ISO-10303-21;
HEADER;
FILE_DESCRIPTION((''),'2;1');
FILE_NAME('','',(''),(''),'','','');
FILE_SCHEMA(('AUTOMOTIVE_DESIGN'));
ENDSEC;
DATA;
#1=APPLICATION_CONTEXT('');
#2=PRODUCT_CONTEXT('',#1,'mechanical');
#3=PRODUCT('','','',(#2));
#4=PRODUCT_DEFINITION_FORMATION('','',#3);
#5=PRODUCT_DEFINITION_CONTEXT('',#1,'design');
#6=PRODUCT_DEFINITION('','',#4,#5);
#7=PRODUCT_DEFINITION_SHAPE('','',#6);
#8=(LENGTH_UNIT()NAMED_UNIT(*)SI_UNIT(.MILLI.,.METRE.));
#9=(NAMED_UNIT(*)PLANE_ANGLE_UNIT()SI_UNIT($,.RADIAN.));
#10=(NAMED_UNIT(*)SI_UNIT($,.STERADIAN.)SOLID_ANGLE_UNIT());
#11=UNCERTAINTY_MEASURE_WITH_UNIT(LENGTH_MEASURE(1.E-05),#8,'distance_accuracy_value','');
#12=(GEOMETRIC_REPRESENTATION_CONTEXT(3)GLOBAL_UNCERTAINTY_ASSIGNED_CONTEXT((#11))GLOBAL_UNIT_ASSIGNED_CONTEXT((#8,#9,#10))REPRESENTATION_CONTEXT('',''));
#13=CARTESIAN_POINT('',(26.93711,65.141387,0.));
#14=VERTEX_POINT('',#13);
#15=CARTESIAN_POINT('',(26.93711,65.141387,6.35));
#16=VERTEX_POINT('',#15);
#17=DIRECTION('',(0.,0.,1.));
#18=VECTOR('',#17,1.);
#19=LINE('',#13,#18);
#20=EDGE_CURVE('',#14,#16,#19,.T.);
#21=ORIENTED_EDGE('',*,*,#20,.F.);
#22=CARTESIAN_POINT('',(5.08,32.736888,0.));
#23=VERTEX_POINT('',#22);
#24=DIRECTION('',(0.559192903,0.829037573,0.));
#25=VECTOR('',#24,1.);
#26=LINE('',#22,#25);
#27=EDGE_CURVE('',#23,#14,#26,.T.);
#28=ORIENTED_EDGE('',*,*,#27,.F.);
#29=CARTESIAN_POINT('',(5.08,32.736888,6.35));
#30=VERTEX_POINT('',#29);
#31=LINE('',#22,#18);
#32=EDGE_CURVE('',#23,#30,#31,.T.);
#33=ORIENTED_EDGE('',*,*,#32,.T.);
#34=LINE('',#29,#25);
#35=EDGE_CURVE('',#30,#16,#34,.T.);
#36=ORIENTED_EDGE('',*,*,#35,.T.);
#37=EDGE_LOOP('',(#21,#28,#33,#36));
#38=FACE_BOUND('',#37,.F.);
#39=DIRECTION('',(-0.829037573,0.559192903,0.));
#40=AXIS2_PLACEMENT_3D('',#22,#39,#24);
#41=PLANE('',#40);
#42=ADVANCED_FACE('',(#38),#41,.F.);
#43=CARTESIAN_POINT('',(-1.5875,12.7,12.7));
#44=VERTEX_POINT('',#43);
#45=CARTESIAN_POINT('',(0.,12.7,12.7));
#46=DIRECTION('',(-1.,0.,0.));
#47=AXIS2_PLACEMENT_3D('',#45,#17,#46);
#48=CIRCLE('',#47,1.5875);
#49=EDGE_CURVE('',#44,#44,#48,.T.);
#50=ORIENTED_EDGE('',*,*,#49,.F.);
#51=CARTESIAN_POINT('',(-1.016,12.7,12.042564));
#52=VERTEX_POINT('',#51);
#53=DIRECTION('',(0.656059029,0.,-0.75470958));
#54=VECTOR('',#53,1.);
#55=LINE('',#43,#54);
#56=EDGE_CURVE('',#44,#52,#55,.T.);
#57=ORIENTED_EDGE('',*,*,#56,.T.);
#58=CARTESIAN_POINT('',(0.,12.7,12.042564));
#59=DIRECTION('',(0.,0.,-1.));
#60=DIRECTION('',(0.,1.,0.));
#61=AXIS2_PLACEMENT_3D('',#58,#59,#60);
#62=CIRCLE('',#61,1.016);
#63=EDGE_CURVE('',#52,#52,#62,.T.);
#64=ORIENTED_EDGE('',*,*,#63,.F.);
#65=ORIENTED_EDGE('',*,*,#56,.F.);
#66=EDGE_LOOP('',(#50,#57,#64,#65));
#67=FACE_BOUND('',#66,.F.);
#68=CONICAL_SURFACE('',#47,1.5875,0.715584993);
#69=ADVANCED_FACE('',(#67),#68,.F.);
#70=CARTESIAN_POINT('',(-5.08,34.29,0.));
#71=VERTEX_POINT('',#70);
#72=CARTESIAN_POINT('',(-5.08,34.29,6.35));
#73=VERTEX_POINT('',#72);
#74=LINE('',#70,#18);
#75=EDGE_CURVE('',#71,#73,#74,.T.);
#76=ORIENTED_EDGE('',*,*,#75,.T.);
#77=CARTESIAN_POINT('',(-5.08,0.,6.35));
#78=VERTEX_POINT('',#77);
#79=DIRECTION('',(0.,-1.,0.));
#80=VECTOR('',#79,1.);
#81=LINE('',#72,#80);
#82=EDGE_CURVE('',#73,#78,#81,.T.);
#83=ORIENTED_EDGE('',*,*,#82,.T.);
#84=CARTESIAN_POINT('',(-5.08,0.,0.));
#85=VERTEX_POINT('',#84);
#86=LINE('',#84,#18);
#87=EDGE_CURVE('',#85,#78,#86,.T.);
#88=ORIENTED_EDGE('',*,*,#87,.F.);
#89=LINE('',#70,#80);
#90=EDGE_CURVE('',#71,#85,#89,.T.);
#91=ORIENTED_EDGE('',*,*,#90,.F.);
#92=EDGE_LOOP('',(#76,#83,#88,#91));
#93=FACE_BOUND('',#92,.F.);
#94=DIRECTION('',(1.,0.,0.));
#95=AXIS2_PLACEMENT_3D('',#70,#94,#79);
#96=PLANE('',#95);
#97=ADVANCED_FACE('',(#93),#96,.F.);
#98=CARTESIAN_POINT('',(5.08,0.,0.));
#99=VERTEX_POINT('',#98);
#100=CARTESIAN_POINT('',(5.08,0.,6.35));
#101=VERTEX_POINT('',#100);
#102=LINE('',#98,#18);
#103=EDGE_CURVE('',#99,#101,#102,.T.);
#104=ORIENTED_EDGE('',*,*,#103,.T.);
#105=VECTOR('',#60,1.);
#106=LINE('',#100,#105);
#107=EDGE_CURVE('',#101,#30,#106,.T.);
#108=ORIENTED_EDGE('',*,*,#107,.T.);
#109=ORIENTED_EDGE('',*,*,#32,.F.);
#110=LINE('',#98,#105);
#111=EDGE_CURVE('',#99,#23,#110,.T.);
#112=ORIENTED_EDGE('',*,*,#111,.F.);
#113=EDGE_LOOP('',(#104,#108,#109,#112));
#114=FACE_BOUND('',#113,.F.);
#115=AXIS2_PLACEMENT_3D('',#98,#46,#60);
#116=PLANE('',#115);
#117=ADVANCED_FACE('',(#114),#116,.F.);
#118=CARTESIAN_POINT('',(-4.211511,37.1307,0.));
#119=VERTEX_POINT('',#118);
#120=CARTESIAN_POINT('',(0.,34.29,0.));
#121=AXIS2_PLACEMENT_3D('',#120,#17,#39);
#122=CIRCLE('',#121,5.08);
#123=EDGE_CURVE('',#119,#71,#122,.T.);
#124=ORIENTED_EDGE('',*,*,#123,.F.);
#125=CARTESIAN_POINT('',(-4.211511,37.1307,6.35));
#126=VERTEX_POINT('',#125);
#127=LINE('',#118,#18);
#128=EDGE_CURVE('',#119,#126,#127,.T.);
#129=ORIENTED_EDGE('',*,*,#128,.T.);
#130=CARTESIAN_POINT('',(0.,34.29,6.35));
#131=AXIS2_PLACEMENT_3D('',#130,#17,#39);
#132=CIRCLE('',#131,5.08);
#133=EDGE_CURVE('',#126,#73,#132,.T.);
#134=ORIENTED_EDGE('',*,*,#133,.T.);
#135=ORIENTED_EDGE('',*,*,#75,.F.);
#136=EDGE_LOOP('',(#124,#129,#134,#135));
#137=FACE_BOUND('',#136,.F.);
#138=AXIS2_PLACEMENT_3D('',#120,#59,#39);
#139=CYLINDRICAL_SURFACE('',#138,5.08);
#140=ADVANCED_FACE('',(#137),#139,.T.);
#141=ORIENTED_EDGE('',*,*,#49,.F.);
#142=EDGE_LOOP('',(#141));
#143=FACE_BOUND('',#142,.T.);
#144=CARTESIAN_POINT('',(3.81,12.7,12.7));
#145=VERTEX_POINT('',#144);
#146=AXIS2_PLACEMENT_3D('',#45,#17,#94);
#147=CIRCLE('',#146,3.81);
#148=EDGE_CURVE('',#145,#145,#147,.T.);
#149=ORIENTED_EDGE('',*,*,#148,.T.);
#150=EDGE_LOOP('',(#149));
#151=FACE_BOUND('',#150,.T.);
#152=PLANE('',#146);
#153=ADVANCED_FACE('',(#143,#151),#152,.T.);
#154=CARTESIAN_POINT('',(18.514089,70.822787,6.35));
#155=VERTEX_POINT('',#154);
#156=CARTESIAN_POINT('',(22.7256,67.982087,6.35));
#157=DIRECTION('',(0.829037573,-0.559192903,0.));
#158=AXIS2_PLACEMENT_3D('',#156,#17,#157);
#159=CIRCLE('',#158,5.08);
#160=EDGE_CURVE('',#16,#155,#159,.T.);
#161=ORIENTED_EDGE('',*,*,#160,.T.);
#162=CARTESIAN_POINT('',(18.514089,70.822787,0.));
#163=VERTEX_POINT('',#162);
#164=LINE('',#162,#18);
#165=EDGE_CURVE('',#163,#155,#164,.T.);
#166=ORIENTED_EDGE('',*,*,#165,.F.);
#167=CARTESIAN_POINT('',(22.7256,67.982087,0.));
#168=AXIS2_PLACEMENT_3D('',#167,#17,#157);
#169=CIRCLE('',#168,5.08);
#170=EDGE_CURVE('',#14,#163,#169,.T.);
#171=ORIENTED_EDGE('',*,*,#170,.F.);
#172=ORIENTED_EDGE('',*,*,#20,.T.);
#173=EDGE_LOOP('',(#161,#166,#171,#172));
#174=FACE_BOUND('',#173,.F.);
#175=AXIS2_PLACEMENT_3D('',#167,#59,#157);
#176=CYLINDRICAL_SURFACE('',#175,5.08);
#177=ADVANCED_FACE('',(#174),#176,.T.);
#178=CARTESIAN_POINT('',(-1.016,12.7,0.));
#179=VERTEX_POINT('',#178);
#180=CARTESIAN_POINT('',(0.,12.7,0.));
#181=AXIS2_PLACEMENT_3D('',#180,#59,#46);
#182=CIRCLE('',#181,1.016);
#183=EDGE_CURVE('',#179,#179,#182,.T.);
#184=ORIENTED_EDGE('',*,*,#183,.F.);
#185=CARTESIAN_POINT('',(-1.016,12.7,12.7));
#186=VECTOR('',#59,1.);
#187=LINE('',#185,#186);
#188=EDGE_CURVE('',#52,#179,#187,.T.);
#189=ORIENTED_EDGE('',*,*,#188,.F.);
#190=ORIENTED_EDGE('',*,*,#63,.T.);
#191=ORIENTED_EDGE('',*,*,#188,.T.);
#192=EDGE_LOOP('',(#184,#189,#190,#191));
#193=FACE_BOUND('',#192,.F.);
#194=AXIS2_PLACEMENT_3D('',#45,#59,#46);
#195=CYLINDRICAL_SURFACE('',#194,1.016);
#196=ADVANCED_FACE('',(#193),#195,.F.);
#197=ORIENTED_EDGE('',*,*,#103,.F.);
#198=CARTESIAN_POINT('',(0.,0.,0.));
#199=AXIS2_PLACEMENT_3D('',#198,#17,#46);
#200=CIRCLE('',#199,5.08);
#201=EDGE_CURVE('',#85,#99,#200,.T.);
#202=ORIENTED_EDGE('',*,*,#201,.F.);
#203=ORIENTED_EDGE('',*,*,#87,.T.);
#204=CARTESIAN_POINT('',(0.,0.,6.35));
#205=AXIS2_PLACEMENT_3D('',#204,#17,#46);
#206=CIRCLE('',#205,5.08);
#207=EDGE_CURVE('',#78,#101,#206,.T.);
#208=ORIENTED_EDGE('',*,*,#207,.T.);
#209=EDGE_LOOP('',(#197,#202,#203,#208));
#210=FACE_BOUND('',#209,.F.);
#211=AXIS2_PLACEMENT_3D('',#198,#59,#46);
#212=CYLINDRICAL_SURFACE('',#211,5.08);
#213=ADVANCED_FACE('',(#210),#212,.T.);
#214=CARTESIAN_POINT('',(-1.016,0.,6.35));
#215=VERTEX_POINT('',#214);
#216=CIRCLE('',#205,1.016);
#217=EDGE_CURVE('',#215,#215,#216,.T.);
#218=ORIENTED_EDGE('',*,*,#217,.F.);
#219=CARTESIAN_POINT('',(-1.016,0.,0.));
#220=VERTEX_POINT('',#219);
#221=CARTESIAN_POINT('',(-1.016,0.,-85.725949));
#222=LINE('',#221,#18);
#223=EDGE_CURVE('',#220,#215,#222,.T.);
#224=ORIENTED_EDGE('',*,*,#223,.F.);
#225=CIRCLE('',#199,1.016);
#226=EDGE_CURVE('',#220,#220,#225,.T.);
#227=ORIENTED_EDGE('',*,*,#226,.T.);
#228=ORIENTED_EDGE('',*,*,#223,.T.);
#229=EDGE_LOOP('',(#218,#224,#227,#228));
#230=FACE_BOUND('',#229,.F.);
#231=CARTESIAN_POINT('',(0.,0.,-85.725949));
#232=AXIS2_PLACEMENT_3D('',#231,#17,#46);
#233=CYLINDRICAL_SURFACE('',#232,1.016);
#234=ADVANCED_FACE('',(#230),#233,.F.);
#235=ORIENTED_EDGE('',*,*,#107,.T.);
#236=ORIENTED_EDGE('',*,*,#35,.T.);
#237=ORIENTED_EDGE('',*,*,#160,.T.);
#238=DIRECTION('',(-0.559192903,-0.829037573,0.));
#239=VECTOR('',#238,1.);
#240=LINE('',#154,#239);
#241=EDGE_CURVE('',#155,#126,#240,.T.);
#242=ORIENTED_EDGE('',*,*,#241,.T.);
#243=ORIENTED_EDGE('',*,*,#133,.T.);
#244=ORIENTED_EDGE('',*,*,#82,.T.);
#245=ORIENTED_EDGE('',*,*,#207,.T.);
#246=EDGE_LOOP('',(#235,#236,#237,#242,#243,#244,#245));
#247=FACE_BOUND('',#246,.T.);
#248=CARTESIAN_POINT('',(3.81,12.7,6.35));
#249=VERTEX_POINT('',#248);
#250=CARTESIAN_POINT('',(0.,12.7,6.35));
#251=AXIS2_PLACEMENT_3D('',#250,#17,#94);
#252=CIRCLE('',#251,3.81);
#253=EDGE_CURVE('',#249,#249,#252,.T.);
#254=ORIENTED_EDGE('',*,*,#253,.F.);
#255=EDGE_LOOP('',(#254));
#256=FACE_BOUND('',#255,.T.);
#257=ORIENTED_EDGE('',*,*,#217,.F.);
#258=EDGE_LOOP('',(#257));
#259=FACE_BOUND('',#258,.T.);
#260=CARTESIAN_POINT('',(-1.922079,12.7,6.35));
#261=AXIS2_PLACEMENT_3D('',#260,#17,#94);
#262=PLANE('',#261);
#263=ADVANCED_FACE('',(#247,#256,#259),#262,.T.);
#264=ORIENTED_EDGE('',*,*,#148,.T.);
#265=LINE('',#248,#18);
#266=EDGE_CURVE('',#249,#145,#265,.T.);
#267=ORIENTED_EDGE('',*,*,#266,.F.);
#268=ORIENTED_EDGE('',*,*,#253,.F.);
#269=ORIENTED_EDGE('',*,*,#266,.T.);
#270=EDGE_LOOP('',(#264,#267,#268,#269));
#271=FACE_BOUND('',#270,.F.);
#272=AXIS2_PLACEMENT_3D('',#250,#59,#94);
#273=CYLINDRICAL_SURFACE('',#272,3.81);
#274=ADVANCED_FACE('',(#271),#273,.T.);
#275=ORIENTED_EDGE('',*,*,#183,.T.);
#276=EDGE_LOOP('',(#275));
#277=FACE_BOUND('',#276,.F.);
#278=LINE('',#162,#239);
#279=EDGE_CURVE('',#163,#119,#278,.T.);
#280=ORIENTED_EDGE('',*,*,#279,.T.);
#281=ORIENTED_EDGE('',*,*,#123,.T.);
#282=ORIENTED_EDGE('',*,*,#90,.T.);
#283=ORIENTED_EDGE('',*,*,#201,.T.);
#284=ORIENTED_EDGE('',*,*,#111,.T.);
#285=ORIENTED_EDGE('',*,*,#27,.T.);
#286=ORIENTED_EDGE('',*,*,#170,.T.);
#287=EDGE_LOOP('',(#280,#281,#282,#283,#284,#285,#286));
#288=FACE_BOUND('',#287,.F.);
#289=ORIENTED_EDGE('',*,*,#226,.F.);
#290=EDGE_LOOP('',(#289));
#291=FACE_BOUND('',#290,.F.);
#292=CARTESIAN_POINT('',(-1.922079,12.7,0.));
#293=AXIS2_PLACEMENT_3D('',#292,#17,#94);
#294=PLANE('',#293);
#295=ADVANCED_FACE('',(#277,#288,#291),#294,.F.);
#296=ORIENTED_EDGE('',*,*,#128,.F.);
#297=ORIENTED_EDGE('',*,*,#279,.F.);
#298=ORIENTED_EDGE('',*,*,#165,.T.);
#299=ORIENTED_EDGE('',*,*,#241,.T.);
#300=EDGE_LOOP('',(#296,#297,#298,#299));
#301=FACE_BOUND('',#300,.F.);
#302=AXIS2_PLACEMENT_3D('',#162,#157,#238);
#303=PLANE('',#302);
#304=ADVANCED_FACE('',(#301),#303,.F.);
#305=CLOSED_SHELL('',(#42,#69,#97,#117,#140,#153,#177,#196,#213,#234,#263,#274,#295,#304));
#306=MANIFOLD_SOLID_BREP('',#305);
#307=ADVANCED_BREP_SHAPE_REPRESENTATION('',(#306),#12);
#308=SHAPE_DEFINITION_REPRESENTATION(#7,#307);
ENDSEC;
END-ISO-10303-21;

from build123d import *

# Parameters (mm, degrees)
F1_DEPTH       = 6.35
F2_R           = 3.81
F3_DEPTH       = 6.35
F5_D           = 2.032
F5_CSINK_D     = 3.175
F5_CSINK_ANGLE = 82
F7_D           = 2.032


with BuildPart() as f1:
    # F0 (on Top) → F1 (new body)
    with BuildSketch(Plane.XY):
        with BuildLine():
            ThreePointArc((-5.08, 12.7), (-3.5921024484, 9.1078975516), (0, 7.62))
            Line((0, 7.62), (0, 12.7))
            Line((0, 12.7), (0, 17.78))
            ThreePointArc((0, 17.78), (-3.5921024484, 16.2921024484), (-5.08, 12.7))
        make_face()
        with BuildLine():
            Line((0, 12.7), (0, 7.62))
            ThreePointArc((0, 7.62), (3.5921024484, 9.1078975516), (5.08, 12.7))
            ThreePointArc((5.08, 12.7), (3.5921024484, 16.2921024484), (0, 17.78))
            Line((0, 17.78), (0, 12.7))
        make_face()
        with BuildLine():
            ThreePointArc((5.08, 12.7), (3.5921024484, 9.1078975516), (0, 7.62))
            ThreePointArc((0, 7.62), (-3.5921024484, 9.1078975516), (-5.08, 12.7))
            Line((-5.08, 12.7), (-5.08, 0))
            ThreePointArc((-5.08, 0), (0, -5.08), (5.08, 0))
            Line((5.08, 0), (5.08, 12.7))
        make_face()
        with BuildLine():
            ThreePointArc((0, 17.78), (3.5921024484, 16.2921024484), (5.08, 12.7))
            Line((5.08, 12.7), (5.08, 32.7368881382))
            Line((5.08, 32.7368881382), (4.2115108686, 31.4493000504))
            ThreePointArc((4.2115108686, 31.4493000504), (2.384915539, 29.8046262283), (0, 29.21))
            Line((0, 29.21), (0, 17.78))
        make_face()
        with BuildLine():
            Line((-5.08, 34.29), (-5.08, 12.7))
            ThreePointArc((-5.08, 12.7), (-3.5921024484, 16.2921024484), (0, 17.78))
            Line((0, 17.78), (0, 29.21))
            ThreePointArc((0, 29.21), (-3.5921024484, 30.6978975516), (-5.08, 34.29))
        make_face()
        with BuildLine():
            Line((5.08, 34.29), (5.08, 32.7368881382))
            Line((5.08, 32.7368881382), (26.9371104656, 65.141386999))
            ThreePointArc((26.9371104656, 65.141386999), (25.5662995467, 72.1935978172), (18.5140887285, 70.8227868983))
            Line((18.5140887285, 70.8227868983), (-4.2115108686, 37.1306999496))
            ThreePointArc((-4.2115108686, 37.1306999496), (-0.9693096965, 39.2766660919), (2.8406999496, 38.5015108686))
            ThreePointArc((2.8406999496, 38.5015108686), (4.4853737717, 36.674915539), (5.08, 34.29))
        make_face()
        with BuildLine():
            Line((4.2115108686, 31.4493000504), (5.08, 32.7368881382))
            Line((5.08, 32.7368881382), (5.08, 34.29))
            ThreePointArc((5.08, 34.29), (4.4853737717, 36.674915539), (2.8406999496, 38.5015108686))
            Line((2.8406999496, 38.5015108686), (0, 34.29))
            Line((0, 34.29), (0, 29.21))
            ThreePointArc((0, 29.21), (2.384915539, 29.8046262283), (4.2115108686, 31.4493000504))
        make_face()
        with BuildLine():
            ThreePointArc((-4.2115108686, 37.1306999496), (-4.8580281603, 35.77524826), (-5.08, 34.29))
            ThreePointArc((-5.08, 34.29), (-3.5921024484, 30.6978975516), (0, 29.21))
            Line((0, 29.21), (0, 34.29))
            Line((0, 34.29), (2.8406999496, 38.5015108686))
            ThreePointArc((2.8406999496, 38.5015108686), (-0.9693096965, 39.2766660919), (-4.2115108686, 37.1306999496))
        make_face()
    extrude(amount=F1_DEPTH)

    # F2 (on face) → F3 (join)
    with BuildSketch(Plane.XY.offset(6.35)):
        with Locations((0, 12.7)):
            Circle(F2_R)
    extrude(amount=F3_DEPTH)

    # F5 (through all)
    with Locations(Plane.XY.offset(12.7)):
        with Locations((0, 12.7)):
            CounterSinkHole(F5_D / 2, F5_CSINK_D / 2, counter_sink_angle=F5_CSINK_ANGLE)

    # F7 (through all)
    with Locations(Plane(origin=(0, 0, 0), x_dir=(1, 0, 0), z_dir=(0, 0, -1))):
        with Locations((0, 0)):
            Hole(F7_D / 2)


solid = f1.part
